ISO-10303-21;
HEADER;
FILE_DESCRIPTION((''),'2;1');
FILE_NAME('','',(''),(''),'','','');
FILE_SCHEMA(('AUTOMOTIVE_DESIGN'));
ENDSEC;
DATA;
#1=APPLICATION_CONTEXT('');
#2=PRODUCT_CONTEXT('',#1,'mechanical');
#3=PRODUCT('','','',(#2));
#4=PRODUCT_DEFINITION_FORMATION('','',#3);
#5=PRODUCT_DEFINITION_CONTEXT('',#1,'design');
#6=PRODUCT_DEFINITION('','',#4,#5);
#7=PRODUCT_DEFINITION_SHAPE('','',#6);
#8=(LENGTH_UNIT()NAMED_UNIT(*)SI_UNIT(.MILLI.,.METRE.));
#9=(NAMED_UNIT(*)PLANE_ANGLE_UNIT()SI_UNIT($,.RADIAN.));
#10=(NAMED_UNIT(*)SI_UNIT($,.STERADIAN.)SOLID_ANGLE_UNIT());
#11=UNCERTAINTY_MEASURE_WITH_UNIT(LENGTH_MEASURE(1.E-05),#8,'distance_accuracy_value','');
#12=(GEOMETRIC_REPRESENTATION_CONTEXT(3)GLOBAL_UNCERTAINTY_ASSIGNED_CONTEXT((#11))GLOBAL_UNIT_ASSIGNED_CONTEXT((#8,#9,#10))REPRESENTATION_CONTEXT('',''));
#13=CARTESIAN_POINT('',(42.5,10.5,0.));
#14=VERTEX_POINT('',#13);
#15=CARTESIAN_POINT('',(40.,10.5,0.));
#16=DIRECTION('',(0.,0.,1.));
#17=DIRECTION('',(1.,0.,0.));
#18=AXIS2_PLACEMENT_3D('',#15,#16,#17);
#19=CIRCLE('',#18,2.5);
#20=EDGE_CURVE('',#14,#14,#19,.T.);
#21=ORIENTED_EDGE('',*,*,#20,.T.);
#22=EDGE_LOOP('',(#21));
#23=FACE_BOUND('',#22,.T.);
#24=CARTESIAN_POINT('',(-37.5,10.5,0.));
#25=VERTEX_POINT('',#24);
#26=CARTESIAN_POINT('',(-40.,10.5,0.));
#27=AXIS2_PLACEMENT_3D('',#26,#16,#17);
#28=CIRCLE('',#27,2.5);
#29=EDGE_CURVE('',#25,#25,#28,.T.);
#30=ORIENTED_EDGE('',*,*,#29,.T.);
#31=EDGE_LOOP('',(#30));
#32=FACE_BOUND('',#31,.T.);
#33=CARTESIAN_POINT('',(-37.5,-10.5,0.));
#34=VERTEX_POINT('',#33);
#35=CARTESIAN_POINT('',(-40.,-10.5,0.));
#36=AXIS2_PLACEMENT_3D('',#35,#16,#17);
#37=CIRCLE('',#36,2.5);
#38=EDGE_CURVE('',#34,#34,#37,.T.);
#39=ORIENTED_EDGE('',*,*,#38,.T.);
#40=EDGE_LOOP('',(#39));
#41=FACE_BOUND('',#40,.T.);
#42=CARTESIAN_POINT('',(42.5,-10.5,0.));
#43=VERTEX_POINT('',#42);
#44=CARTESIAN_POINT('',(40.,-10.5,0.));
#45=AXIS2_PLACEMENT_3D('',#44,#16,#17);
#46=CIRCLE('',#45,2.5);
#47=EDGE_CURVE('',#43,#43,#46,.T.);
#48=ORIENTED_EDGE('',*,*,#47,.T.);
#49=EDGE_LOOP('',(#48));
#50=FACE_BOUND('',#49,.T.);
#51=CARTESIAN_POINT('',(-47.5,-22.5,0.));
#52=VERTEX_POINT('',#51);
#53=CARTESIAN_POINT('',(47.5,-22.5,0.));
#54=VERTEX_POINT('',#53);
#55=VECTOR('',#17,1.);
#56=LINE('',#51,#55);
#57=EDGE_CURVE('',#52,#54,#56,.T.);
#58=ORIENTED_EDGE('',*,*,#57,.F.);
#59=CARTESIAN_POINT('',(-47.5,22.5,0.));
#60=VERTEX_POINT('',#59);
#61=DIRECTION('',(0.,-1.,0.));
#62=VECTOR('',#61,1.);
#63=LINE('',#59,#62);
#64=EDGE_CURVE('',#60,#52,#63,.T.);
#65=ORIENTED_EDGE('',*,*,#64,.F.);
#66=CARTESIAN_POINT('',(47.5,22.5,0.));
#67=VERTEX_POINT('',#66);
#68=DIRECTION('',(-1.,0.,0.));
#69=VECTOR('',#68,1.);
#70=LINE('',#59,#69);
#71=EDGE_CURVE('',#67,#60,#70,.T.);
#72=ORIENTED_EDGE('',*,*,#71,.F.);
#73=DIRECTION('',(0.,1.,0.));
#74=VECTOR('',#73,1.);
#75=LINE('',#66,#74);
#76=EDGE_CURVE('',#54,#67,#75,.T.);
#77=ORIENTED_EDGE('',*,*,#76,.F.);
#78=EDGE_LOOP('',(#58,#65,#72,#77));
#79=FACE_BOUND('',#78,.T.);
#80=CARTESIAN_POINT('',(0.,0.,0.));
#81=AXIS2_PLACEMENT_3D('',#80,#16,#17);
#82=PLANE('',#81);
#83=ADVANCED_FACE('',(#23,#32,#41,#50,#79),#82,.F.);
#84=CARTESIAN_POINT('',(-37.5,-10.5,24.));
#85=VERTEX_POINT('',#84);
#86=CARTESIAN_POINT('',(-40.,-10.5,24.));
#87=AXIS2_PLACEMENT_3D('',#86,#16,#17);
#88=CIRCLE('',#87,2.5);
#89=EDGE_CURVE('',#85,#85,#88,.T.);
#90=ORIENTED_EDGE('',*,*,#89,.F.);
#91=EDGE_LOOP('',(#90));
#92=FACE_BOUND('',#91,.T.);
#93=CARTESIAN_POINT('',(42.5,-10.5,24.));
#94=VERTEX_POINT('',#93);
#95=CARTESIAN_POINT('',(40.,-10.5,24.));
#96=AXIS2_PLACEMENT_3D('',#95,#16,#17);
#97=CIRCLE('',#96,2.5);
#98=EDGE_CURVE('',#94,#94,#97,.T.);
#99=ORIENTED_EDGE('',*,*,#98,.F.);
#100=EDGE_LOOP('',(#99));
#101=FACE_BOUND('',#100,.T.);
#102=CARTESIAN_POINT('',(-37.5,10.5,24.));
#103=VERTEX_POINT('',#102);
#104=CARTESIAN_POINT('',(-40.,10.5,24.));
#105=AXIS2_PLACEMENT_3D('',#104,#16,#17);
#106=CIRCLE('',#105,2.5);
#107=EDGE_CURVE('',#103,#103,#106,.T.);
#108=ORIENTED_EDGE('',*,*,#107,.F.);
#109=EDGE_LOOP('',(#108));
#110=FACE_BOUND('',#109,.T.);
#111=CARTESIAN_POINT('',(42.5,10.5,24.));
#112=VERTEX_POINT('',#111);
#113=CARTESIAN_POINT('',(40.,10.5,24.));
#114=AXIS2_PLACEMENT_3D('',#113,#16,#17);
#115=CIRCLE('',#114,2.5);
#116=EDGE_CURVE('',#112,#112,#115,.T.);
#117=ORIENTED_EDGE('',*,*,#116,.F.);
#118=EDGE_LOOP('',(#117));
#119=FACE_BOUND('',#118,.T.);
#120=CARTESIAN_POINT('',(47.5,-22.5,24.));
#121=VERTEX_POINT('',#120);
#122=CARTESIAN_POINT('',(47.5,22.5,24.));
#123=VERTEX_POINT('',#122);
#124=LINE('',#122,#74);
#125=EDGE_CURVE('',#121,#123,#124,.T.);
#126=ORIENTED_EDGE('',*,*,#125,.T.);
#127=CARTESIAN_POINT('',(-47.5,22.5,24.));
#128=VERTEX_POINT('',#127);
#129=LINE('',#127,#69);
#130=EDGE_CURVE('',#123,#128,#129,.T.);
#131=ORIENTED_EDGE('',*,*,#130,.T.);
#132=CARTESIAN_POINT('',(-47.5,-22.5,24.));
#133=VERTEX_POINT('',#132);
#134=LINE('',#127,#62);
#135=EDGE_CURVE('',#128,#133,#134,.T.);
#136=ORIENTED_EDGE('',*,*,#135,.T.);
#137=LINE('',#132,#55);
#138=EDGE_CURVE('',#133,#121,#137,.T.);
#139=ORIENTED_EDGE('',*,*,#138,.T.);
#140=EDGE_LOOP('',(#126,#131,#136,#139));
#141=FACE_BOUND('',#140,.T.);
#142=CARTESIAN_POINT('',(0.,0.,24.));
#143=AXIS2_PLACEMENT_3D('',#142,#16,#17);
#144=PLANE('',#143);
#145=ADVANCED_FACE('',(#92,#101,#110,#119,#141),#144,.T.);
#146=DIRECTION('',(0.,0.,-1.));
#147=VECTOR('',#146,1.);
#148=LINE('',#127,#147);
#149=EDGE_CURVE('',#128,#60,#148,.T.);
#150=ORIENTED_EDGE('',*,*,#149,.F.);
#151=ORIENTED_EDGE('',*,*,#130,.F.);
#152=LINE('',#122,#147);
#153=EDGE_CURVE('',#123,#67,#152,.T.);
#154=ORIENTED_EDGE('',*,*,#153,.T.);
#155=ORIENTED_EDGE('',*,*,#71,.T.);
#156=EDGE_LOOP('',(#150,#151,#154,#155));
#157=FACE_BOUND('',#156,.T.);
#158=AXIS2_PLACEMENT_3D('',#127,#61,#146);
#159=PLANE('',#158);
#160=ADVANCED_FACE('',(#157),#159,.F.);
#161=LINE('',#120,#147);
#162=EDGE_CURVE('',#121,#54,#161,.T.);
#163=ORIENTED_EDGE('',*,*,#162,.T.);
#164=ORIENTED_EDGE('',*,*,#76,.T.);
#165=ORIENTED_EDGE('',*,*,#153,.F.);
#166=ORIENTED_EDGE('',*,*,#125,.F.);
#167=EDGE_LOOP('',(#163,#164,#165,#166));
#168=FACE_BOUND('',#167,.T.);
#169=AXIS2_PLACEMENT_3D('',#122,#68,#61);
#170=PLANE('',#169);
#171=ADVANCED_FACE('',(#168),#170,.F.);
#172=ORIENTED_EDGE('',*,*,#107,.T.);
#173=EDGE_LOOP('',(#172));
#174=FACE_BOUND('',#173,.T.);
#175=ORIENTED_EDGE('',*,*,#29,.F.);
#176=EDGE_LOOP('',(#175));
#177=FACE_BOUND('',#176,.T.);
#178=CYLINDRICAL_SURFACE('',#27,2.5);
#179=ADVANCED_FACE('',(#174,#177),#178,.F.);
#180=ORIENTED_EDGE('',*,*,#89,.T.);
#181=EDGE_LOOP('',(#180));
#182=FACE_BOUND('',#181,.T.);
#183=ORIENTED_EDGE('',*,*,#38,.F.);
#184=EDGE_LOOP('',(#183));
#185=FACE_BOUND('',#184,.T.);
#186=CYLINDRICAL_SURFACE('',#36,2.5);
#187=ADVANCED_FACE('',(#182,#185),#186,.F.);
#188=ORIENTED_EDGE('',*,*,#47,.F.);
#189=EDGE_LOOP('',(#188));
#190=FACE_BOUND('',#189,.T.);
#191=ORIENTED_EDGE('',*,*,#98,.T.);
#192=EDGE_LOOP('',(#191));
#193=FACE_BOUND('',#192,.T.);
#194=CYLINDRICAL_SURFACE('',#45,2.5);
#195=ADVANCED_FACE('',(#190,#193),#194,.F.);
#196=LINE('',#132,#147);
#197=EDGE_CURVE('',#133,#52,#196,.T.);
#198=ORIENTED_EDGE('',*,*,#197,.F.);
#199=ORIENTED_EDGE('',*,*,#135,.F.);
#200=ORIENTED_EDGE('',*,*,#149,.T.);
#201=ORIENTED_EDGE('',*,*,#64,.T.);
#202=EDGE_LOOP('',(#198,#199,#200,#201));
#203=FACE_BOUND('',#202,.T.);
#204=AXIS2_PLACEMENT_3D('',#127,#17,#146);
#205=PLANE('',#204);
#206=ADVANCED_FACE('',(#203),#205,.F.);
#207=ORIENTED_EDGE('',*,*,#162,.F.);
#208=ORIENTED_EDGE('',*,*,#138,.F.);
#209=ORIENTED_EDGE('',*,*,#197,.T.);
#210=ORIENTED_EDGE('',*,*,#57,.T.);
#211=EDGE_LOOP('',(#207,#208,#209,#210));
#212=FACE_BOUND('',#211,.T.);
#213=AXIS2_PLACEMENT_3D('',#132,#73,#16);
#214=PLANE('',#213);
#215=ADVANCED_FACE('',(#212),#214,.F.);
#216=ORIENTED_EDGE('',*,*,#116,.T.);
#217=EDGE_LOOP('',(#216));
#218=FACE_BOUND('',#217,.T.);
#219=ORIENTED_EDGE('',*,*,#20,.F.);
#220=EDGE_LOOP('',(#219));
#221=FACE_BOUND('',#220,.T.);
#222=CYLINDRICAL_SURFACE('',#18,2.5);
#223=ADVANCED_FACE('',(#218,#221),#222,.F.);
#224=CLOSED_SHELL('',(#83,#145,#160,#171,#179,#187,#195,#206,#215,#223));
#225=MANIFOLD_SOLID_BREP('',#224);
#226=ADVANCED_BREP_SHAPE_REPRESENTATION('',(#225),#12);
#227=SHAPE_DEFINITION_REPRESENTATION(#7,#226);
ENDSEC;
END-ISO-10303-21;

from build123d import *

# Parameters (mm, degrees)
SKETCH1_W           = 95
SKETCH1_H           = 45
BOSS_EXTRUDE1_DEPTH = 24
SKETCH2_R           = 2.5
CUT_EXTRUDE1_DEPTH  = 58.77975424


with BuildPart() as part:
    # Sketch1 → Boss-Extrude1 (new body)
    with BuildSketch(Plane.XY):
        Rectangle(SKETCH1_W, SKETCH1_H)
    extrude(amount=BOSS_EXTRUDE1_DEPTH)

    # Sketch2 → Cut-Extrude1 (cut, through all)
    with BuildSketch(Plane.XY.offset(24)):
        with Locations((-40, 10.5)):
            Circle(SKETCH2_R)
        with Locations((-40, -10.5)):
            Circle(SKETCH2_R)
        with Locations((40, -10.5)):
            Circle(SKETCH2_R)
        with Locations((40, 10.5)):
            Circle(SKETCH2_R)
    extrude(amount=-CUT_EXTRUDE1_DEPTH, mode=Mode.SUBTRACT)


solid = part.part
